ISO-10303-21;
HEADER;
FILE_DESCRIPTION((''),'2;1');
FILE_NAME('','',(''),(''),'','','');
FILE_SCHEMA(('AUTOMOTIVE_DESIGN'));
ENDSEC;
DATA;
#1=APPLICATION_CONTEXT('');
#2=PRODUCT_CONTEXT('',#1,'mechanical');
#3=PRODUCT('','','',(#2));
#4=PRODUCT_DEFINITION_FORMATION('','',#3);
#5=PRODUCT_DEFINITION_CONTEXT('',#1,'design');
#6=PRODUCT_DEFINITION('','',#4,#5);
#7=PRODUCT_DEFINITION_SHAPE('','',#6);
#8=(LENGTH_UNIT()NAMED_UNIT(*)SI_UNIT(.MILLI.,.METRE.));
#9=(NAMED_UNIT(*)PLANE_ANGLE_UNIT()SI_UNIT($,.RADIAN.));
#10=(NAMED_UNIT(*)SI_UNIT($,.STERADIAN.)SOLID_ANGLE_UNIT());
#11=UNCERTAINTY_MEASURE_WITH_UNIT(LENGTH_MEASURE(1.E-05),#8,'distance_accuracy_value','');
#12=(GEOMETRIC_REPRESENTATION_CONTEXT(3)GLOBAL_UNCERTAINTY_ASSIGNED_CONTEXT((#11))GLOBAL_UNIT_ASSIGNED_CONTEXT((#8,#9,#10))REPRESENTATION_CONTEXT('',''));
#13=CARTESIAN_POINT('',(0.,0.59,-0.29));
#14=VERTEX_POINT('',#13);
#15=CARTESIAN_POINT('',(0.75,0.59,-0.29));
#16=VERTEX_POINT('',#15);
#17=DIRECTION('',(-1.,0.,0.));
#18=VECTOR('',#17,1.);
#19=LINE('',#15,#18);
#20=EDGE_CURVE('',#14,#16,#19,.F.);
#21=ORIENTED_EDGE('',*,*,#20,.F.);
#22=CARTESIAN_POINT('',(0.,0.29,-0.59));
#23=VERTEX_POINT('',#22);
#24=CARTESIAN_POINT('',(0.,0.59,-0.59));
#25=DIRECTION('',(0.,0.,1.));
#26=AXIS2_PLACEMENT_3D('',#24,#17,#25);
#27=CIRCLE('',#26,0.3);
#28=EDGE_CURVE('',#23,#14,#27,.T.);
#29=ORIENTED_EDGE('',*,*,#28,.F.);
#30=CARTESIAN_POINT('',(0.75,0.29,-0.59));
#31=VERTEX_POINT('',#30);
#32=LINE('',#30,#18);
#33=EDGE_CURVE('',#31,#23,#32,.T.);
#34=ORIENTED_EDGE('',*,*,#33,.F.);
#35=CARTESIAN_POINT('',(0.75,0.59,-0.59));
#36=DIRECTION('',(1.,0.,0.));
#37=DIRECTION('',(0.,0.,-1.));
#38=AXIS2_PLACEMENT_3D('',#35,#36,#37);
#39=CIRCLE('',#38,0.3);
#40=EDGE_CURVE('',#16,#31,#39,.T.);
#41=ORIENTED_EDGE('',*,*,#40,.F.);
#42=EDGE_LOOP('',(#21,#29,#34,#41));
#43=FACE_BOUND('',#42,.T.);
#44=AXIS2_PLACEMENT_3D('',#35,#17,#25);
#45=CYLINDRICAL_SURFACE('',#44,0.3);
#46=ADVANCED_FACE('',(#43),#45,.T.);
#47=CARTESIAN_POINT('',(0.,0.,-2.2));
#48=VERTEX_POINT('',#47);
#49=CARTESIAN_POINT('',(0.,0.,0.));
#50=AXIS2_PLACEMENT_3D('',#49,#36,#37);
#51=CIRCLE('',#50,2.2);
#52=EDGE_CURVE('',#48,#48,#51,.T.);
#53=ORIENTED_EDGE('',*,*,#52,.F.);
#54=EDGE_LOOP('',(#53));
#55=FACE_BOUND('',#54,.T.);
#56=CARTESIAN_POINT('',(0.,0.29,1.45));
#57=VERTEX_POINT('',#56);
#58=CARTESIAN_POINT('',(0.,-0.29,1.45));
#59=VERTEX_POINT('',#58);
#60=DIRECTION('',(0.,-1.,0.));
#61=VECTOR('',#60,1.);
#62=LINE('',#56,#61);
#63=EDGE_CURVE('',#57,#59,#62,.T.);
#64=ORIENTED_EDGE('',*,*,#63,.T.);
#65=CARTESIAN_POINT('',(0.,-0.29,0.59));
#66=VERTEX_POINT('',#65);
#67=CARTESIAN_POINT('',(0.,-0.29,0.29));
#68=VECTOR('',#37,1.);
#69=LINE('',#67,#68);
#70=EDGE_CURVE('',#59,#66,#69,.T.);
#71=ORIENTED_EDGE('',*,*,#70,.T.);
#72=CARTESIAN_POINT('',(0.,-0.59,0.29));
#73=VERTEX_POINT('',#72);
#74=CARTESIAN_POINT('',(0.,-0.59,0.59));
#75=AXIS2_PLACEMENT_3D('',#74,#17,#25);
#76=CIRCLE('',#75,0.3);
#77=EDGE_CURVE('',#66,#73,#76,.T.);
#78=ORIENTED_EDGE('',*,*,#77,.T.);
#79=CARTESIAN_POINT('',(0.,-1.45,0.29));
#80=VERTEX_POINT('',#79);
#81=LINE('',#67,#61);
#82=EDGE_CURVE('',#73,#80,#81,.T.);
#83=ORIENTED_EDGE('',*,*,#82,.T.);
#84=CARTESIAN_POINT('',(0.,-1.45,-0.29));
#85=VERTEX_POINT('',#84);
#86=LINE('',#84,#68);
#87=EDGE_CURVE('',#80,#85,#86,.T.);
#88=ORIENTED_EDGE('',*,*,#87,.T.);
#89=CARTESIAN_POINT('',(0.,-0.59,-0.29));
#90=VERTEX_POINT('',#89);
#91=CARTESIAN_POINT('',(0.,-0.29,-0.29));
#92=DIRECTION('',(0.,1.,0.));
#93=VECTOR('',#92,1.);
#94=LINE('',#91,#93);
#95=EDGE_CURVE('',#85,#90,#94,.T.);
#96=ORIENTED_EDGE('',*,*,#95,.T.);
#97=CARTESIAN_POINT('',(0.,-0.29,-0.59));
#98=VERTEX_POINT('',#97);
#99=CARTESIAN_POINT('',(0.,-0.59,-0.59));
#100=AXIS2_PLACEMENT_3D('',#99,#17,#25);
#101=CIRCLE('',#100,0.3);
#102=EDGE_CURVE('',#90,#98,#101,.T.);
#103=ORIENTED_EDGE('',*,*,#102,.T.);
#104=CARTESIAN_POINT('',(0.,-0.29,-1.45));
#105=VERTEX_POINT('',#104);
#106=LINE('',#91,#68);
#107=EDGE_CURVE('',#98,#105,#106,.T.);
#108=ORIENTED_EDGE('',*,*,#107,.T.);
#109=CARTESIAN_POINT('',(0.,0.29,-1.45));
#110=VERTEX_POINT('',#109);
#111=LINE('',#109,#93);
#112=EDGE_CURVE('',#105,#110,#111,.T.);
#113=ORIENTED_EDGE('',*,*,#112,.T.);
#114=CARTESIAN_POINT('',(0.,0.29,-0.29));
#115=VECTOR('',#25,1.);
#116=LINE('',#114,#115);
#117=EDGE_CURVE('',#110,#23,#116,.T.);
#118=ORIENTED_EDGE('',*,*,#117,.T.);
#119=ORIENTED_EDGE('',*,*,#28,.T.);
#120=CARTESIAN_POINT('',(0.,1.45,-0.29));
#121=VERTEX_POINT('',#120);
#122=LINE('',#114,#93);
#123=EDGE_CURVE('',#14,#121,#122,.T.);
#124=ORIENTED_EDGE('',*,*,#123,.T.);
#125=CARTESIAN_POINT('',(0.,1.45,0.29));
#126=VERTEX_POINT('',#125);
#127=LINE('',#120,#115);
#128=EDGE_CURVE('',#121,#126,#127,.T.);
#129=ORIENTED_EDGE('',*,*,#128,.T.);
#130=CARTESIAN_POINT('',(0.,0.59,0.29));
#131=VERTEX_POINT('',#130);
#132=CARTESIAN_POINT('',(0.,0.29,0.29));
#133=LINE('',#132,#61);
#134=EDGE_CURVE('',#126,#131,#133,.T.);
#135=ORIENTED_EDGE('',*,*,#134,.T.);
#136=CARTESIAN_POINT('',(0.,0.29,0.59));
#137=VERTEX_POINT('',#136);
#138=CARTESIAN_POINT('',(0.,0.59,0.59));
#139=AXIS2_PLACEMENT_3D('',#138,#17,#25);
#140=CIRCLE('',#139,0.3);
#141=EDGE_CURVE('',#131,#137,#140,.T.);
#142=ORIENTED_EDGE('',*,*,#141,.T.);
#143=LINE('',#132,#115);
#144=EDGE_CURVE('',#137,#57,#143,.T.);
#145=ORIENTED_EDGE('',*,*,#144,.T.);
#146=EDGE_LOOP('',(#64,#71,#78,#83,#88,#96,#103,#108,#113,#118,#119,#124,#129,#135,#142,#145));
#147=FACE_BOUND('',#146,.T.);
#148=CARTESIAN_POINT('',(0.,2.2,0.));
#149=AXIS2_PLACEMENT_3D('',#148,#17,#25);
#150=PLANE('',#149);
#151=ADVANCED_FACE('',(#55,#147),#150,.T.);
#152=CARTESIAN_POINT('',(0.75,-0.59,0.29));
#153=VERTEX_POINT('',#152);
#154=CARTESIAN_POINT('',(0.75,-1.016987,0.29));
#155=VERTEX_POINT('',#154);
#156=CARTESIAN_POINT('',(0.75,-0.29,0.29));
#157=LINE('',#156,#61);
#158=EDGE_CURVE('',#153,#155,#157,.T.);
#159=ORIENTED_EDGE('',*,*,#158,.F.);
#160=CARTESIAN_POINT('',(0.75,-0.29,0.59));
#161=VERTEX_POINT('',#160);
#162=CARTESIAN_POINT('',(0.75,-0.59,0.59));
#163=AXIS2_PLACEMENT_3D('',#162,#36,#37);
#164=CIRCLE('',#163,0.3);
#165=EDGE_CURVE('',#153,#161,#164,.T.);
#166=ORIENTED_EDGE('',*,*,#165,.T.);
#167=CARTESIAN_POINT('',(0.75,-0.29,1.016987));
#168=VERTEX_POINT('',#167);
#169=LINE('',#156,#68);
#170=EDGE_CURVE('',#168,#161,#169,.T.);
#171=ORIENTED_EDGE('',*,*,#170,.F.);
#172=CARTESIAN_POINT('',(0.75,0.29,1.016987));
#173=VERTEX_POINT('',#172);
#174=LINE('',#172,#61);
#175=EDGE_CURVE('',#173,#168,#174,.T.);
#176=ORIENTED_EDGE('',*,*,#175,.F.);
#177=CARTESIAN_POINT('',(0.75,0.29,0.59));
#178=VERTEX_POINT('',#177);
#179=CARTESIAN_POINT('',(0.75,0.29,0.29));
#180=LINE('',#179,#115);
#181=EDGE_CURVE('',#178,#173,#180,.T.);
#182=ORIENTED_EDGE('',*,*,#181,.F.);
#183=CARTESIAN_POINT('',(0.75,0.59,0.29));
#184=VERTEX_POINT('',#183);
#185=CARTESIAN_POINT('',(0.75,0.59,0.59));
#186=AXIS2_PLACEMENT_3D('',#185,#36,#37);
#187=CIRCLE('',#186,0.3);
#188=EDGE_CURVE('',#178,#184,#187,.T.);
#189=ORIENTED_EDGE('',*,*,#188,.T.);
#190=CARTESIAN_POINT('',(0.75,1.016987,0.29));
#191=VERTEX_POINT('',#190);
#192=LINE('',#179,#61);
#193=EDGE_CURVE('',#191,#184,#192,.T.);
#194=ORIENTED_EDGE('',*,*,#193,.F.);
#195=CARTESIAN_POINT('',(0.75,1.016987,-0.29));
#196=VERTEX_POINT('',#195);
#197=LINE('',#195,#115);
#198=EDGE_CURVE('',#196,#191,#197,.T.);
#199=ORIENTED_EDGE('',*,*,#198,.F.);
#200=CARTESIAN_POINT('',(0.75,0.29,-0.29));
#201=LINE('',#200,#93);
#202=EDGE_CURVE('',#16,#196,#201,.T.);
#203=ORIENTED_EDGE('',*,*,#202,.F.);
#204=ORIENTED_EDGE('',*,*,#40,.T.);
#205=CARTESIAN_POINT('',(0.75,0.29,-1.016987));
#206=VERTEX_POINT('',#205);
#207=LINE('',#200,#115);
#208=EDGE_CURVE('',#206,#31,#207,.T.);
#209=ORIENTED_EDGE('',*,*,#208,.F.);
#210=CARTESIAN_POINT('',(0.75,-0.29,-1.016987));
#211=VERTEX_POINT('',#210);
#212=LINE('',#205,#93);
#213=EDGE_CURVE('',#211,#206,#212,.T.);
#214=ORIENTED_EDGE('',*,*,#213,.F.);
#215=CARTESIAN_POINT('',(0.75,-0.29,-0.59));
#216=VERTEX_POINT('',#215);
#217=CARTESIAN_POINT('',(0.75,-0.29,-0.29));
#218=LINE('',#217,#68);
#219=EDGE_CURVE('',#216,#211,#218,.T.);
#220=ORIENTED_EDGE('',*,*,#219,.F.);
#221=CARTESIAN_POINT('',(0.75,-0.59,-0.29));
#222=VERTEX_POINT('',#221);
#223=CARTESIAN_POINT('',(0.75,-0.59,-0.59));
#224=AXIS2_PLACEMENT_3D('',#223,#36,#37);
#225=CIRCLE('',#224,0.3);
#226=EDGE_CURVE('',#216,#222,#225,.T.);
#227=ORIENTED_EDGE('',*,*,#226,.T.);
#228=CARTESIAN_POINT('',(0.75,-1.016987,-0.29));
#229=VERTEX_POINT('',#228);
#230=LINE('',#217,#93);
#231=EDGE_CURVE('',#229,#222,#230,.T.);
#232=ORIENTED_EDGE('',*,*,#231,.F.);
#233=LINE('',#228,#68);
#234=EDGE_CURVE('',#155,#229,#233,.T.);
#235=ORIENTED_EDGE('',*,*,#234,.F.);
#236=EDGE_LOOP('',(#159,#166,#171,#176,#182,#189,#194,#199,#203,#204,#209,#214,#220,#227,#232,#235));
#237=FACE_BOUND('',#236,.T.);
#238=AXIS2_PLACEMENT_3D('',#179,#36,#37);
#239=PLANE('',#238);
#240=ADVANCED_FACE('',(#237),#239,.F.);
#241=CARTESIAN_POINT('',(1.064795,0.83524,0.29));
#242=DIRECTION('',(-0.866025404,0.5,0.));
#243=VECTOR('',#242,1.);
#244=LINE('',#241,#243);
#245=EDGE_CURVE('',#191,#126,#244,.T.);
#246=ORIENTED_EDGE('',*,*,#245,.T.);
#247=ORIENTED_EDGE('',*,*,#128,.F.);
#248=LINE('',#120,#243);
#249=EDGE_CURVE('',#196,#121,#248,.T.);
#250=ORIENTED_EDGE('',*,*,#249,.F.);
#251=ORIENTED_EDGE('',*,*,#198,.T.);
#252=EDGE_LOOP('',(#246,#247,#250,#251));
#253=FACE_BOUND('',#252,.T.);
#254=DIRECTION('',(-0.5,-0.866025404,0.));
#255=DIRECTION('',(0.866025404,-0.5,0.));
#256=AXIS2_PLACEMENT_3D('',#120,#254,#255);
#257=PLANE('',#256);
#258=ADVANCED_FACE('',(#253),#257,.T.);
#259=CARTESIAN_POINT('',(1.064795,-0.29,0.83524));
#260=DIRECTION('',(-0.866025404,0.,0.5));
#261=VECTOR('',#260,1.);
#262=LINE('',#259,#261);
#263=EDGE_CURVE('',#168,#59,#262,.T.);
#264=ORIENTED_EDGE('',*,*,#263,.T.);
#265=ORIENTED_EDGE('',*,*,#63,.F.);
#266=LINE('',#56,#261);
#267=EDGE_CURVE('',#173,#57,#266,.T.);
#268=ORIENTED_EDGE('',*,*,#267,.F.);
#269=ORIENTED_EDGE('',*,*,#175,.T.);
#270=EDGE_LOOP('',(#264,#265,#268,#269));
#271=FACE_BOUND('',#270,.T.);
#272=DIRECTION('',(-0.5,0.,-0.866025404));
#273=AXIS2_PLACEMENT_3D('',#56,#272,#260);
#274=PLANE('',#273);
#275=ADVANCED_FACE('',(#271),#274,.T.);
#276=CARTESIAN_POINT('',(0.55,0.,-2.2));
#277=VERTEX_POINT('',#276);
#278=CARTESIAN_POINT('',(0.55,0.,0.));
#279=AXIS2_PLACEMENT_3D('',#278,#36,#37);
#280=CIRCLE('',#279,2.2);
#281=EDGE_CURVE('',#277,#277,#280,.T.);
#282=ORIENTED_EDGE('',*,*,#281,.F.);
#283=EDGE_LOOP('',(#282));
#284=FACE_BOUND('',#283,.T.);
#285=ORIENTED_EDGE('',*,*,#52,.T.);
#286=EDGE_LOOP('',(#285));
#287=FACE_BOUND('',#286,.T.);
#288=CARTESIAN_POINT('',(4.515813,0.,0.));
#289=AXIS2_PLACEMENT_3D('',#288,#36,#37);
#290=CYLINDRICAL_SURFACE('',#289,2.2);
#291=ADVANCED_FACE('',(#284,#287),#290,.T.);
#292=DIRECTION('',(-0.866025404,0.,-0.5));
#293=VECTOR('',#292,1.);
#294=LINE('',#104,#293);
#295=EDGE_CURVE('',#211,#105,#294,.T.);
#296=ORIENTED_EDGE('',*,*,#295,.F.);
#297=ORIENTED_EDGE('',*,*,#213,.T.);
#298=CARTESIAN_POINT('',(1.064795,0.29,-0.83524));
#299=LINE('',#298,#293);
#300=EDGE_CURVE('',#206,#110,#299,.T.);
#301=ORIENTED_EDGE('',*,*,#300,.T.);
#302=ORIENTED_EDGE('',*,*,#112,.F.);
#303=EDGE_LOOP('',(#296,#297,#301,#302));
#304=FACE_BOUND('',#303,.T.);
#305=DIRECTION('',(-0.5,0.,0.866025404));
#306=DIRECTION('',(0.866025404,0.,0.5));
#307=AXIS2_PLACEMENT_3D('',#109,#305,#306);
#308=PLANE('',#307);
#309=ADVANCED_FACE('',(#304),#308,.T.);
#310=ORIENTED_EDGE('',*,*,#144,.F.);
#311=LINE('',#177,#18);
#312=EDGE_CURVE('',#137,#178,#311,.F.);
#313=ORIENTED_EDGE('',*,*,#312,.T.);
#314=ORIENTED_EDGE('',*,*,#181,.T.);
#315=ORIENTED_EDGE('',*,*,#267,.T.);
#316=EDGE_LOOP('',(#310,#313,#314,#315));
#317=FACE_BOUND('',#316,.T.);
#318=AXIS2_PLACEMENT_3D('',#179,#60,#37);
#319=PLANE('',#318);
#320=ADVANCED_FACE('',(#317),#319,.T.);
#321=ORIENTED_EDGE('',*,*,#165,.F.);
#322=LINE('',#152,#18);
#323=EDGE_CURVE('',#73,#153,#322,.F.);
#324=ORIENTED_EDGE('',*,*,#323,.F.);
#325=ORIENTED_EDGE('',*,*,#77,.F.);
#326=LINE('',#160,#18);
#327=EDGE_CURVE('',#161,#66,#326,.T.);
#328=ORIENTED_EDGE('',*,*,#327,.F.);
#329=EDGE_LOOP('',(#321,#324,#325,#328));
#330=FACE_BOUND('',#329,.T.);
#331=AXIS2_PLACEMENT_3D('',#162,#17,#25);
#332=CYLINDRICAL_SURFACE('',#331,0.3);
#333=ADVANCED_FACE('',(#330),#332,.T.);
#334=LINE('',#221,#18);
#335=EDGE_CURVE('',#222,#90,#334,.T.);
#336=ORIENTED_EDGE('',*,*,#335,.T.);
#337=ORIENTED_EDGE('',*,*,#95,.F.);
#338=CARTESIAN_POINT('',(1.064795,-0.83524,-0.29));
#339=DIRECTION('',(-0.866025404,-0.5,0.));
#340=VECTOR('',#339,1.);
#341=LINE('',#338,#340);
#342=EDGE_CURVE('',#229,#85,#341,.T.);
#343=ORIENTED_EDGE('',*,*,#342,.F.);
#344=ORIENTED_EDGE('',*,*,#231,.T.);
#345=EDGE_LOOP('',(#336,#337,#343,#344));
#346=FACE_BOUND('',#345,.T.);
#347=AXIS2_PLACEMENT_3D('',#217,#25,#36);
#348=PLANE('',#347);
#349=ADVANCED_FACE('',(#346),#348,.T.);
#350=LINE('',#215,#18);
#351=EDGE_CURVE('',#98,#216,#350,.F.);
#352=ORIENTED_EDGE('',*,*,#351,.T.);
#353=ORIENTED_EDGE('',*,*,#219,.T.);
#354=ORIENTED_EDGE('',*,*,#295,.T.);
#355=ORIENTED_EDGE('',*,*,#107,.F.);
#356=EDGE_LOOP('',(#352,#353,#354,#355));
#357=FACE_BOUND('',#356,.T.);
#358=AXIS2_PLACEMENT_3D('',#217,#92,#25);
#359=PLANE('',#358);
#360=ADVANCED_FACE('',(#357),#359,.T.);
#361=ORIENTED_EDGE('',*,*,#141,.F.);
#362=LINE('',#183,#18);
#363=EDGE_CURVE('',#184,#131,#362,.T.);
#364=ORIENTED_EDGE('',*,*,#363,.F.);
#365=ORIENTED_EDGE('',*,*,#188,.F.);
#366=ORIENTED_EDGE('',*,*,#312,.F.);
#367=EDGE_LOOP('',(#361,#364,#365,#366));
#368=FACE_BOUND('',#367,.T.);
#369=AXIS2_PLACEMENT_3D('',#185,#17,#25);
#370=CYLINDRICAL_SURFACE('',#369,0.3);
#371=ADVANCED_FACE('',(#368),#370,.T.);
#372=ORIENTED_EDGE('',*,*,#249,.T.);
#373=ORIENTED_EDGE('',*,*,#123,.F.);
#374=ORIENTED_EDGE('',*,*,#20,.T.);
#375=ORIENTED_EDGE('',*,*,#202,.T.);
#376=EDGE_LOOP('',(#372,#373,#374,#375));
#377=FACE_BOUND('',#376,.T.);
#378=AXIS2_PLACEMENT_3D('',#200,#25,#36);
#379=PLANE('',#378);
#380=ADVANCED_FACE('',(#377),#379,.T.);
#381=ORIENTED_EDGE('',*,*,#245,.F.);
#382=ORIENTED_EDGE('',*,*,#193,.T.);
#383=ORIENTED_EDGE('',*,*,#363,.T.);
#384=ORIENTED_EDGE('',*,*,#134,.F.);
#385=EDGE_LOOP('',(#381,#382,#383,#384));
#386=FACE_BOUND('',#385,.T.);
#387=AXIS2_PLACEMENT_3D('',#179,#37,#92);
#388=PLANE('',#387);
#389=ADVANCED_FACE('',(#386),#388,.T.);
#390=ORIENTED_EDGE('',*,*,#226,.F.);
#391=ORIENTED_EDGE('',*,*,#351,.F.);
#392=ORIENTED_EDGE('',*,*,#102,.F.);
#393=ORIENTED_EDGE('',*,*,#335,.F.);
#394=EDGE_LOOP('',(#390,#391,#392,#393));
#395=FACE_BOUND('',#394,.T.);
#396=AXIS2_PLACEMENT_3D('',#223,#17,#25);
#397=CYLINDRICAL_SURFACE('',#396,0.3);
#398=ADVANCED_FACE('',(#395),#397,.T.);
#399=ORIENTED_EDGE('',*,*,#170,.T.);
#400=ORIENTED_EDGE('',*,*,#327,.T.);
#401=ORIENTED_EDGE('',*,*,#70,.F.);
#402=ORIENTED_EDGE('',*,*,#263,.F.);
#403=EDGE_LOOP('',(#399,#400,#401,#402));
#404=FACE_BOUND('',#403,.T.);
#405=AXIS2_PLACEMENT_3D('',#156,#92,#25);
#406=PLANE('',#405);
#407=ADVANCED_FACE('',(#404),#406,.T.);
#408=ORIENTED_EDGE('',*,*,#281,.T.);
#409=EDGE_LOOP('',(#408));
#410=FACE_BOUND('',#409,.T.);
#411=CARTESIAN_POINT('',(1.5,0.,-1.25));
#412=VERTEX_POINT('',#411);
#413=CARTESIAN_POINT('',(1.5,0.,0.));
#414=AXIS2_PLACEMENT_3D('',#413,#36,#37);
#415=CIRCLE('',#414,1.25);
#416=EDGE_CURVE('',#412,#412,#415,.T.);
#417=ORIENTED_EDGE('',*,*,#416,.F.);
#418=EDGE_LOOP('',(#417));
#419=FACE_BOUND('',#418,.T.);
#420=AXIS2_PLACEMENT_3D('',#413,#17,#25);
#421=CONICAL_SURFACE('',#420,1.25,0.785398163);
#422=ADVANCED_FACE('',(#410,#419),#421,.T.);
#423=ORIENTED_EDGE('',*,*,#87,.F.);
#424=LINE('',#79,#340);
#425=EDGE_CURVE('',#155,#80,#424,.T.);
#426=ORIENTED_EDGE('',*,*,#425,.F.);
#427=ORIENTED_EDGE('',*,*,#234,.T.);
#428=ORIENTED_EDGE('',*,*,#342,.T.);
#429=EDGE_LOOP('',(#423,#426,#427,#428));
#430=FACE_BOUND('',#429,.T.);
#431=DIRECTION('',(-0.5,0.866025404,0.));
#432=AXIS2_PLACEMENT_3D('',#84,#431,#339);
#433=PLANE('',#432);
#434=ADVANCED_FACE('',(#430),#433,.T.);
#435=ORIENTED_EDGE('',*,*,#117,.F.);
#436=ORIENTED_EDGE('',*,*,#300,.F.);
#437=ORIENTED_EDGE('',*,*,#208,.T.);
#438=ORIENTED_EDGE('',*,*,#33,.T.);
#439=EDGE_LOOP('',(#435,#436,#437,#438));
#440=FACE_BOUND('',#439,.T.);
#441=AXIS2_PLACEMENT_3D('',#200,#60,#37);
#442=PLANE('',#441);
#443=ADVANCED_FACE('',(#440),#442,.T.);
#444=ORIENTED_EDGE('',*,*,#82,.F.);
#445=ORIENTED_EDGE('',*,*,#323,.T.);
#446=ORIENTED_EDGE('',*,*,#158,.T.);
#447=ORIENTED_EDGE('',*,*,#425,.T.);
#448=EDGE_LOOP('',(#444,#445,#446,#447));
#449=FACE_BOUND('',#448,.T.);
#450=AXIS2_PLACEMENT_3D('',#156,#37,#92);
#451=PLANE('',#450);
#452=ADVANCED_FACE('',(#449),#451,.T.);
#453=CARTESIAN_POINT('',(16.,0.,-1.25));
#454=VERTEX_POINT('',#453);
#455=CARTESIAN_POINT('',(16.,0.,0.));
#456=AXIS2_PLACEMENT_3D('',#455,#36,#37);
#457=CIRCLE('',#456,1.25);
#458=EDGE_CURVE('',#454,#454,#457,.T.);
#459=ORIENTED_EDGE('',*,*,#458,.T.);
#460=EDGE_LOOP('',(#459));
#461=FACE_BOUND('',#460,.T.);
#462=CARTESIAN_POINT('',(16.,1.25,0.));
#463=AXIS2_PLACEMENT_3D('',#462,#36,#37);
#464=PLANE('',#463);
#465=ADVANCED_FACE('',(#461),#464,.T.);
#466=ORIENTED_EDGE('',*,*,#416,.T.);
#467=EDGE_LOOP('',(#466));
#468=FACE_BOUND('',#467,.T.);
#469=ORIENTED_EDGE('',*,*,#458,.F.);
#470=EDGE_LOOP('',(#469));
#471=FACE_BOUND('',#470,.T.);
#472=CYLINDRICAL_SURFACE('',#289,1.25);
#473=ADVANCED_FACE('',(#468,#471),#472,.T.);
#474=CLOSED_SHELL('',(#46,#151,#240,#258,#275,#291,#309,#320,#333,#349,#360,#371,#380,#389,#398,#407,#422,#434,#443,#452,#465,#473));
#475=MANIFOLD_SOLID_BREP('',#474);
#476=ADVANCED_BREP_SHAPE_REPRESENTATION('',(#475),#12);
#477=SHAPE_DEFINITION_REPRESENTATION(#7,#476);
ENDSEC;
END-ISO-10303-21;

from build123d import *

# Parameters (mm, degrees)
CROSSRECESS_DEPTH = 0.75
DRAFT9_ANGLE      = 30
FILLET5_R         = 0.3
SKETCH10_W        = 0.45
SKETCH10_H        = 1.25


with BuildPart() as part:
    # Sketch1 → Base (revolve)
    with BuildSketch(Plane.XY):
        Polygon((16, 1.25), (2.4, 1.25), (1.5, 1.25), (0.55, 2.2), (0, 2.2), (0, 0), (16, 0), align=None)
    revolve(axis=Axis((4.515812911, 0, 0), (-1, 0, 0)))

    # Sketch6 → CrossRecess (cut)
    with BuildSketch(Plane(origin=(0, 0, 0), x_dir=(0, 0, -1), z_dir=(1, 0, 0))):
        Polygon((0.29, 0.29), (0.29, 1.45), (-0.29, 1.45), (-0.29, 0.29), (-1.45, 0.29), (-1.45, -0.29), (-0.29, -0.29), (-0.29, -1.45), (0.29, -1.45), (0.29, -0.29), (1.45, -0.29), (1.45, 0.29), align=None)
    extrude(amount=CROSSRECESS_DEPTH, mode=Mode.SUBTRACT)

    # Draft9
    draft9_faces = [part.faces().sort_by_distance(p)[0] for p in [
        (0.375, -1.45, 0),
        (0.375, 0, 1.45),
        (0.375, 0, -1.45),
        (0.375, 1.45, 0),
    ]]
    draft(draft9_faces, Plane(origin=(0, 2.2, 0), x_dir=(0, 0, -1), z_dir=(-1, 0, 0)), DRAFT9_ANGLE)

    # Fillet5
    fillet5_edges = [part.edges().sort_by_distance(p)[0] for p in [
        (0.375, 0.29, 0.29),
        (0.375, -0.29, 0.29),
        (0.375, -0.29, -0.29),
        (0.375, 0.29, -0.29),
    ]]
    fillet(fillet5_edges, radius=FILLET5_R)

    # Sketch10 → Revolve2 (revolve)
    with BuildSketch(Plane.XY):
        with Locations((1.725, 0.625)):
            Rectangle(SKETCH10_W, SKETCH10_H)
    revolve(axis=Axis((62.228915663, 0, 0), (-1, 0, 0)))


solid = part.part
